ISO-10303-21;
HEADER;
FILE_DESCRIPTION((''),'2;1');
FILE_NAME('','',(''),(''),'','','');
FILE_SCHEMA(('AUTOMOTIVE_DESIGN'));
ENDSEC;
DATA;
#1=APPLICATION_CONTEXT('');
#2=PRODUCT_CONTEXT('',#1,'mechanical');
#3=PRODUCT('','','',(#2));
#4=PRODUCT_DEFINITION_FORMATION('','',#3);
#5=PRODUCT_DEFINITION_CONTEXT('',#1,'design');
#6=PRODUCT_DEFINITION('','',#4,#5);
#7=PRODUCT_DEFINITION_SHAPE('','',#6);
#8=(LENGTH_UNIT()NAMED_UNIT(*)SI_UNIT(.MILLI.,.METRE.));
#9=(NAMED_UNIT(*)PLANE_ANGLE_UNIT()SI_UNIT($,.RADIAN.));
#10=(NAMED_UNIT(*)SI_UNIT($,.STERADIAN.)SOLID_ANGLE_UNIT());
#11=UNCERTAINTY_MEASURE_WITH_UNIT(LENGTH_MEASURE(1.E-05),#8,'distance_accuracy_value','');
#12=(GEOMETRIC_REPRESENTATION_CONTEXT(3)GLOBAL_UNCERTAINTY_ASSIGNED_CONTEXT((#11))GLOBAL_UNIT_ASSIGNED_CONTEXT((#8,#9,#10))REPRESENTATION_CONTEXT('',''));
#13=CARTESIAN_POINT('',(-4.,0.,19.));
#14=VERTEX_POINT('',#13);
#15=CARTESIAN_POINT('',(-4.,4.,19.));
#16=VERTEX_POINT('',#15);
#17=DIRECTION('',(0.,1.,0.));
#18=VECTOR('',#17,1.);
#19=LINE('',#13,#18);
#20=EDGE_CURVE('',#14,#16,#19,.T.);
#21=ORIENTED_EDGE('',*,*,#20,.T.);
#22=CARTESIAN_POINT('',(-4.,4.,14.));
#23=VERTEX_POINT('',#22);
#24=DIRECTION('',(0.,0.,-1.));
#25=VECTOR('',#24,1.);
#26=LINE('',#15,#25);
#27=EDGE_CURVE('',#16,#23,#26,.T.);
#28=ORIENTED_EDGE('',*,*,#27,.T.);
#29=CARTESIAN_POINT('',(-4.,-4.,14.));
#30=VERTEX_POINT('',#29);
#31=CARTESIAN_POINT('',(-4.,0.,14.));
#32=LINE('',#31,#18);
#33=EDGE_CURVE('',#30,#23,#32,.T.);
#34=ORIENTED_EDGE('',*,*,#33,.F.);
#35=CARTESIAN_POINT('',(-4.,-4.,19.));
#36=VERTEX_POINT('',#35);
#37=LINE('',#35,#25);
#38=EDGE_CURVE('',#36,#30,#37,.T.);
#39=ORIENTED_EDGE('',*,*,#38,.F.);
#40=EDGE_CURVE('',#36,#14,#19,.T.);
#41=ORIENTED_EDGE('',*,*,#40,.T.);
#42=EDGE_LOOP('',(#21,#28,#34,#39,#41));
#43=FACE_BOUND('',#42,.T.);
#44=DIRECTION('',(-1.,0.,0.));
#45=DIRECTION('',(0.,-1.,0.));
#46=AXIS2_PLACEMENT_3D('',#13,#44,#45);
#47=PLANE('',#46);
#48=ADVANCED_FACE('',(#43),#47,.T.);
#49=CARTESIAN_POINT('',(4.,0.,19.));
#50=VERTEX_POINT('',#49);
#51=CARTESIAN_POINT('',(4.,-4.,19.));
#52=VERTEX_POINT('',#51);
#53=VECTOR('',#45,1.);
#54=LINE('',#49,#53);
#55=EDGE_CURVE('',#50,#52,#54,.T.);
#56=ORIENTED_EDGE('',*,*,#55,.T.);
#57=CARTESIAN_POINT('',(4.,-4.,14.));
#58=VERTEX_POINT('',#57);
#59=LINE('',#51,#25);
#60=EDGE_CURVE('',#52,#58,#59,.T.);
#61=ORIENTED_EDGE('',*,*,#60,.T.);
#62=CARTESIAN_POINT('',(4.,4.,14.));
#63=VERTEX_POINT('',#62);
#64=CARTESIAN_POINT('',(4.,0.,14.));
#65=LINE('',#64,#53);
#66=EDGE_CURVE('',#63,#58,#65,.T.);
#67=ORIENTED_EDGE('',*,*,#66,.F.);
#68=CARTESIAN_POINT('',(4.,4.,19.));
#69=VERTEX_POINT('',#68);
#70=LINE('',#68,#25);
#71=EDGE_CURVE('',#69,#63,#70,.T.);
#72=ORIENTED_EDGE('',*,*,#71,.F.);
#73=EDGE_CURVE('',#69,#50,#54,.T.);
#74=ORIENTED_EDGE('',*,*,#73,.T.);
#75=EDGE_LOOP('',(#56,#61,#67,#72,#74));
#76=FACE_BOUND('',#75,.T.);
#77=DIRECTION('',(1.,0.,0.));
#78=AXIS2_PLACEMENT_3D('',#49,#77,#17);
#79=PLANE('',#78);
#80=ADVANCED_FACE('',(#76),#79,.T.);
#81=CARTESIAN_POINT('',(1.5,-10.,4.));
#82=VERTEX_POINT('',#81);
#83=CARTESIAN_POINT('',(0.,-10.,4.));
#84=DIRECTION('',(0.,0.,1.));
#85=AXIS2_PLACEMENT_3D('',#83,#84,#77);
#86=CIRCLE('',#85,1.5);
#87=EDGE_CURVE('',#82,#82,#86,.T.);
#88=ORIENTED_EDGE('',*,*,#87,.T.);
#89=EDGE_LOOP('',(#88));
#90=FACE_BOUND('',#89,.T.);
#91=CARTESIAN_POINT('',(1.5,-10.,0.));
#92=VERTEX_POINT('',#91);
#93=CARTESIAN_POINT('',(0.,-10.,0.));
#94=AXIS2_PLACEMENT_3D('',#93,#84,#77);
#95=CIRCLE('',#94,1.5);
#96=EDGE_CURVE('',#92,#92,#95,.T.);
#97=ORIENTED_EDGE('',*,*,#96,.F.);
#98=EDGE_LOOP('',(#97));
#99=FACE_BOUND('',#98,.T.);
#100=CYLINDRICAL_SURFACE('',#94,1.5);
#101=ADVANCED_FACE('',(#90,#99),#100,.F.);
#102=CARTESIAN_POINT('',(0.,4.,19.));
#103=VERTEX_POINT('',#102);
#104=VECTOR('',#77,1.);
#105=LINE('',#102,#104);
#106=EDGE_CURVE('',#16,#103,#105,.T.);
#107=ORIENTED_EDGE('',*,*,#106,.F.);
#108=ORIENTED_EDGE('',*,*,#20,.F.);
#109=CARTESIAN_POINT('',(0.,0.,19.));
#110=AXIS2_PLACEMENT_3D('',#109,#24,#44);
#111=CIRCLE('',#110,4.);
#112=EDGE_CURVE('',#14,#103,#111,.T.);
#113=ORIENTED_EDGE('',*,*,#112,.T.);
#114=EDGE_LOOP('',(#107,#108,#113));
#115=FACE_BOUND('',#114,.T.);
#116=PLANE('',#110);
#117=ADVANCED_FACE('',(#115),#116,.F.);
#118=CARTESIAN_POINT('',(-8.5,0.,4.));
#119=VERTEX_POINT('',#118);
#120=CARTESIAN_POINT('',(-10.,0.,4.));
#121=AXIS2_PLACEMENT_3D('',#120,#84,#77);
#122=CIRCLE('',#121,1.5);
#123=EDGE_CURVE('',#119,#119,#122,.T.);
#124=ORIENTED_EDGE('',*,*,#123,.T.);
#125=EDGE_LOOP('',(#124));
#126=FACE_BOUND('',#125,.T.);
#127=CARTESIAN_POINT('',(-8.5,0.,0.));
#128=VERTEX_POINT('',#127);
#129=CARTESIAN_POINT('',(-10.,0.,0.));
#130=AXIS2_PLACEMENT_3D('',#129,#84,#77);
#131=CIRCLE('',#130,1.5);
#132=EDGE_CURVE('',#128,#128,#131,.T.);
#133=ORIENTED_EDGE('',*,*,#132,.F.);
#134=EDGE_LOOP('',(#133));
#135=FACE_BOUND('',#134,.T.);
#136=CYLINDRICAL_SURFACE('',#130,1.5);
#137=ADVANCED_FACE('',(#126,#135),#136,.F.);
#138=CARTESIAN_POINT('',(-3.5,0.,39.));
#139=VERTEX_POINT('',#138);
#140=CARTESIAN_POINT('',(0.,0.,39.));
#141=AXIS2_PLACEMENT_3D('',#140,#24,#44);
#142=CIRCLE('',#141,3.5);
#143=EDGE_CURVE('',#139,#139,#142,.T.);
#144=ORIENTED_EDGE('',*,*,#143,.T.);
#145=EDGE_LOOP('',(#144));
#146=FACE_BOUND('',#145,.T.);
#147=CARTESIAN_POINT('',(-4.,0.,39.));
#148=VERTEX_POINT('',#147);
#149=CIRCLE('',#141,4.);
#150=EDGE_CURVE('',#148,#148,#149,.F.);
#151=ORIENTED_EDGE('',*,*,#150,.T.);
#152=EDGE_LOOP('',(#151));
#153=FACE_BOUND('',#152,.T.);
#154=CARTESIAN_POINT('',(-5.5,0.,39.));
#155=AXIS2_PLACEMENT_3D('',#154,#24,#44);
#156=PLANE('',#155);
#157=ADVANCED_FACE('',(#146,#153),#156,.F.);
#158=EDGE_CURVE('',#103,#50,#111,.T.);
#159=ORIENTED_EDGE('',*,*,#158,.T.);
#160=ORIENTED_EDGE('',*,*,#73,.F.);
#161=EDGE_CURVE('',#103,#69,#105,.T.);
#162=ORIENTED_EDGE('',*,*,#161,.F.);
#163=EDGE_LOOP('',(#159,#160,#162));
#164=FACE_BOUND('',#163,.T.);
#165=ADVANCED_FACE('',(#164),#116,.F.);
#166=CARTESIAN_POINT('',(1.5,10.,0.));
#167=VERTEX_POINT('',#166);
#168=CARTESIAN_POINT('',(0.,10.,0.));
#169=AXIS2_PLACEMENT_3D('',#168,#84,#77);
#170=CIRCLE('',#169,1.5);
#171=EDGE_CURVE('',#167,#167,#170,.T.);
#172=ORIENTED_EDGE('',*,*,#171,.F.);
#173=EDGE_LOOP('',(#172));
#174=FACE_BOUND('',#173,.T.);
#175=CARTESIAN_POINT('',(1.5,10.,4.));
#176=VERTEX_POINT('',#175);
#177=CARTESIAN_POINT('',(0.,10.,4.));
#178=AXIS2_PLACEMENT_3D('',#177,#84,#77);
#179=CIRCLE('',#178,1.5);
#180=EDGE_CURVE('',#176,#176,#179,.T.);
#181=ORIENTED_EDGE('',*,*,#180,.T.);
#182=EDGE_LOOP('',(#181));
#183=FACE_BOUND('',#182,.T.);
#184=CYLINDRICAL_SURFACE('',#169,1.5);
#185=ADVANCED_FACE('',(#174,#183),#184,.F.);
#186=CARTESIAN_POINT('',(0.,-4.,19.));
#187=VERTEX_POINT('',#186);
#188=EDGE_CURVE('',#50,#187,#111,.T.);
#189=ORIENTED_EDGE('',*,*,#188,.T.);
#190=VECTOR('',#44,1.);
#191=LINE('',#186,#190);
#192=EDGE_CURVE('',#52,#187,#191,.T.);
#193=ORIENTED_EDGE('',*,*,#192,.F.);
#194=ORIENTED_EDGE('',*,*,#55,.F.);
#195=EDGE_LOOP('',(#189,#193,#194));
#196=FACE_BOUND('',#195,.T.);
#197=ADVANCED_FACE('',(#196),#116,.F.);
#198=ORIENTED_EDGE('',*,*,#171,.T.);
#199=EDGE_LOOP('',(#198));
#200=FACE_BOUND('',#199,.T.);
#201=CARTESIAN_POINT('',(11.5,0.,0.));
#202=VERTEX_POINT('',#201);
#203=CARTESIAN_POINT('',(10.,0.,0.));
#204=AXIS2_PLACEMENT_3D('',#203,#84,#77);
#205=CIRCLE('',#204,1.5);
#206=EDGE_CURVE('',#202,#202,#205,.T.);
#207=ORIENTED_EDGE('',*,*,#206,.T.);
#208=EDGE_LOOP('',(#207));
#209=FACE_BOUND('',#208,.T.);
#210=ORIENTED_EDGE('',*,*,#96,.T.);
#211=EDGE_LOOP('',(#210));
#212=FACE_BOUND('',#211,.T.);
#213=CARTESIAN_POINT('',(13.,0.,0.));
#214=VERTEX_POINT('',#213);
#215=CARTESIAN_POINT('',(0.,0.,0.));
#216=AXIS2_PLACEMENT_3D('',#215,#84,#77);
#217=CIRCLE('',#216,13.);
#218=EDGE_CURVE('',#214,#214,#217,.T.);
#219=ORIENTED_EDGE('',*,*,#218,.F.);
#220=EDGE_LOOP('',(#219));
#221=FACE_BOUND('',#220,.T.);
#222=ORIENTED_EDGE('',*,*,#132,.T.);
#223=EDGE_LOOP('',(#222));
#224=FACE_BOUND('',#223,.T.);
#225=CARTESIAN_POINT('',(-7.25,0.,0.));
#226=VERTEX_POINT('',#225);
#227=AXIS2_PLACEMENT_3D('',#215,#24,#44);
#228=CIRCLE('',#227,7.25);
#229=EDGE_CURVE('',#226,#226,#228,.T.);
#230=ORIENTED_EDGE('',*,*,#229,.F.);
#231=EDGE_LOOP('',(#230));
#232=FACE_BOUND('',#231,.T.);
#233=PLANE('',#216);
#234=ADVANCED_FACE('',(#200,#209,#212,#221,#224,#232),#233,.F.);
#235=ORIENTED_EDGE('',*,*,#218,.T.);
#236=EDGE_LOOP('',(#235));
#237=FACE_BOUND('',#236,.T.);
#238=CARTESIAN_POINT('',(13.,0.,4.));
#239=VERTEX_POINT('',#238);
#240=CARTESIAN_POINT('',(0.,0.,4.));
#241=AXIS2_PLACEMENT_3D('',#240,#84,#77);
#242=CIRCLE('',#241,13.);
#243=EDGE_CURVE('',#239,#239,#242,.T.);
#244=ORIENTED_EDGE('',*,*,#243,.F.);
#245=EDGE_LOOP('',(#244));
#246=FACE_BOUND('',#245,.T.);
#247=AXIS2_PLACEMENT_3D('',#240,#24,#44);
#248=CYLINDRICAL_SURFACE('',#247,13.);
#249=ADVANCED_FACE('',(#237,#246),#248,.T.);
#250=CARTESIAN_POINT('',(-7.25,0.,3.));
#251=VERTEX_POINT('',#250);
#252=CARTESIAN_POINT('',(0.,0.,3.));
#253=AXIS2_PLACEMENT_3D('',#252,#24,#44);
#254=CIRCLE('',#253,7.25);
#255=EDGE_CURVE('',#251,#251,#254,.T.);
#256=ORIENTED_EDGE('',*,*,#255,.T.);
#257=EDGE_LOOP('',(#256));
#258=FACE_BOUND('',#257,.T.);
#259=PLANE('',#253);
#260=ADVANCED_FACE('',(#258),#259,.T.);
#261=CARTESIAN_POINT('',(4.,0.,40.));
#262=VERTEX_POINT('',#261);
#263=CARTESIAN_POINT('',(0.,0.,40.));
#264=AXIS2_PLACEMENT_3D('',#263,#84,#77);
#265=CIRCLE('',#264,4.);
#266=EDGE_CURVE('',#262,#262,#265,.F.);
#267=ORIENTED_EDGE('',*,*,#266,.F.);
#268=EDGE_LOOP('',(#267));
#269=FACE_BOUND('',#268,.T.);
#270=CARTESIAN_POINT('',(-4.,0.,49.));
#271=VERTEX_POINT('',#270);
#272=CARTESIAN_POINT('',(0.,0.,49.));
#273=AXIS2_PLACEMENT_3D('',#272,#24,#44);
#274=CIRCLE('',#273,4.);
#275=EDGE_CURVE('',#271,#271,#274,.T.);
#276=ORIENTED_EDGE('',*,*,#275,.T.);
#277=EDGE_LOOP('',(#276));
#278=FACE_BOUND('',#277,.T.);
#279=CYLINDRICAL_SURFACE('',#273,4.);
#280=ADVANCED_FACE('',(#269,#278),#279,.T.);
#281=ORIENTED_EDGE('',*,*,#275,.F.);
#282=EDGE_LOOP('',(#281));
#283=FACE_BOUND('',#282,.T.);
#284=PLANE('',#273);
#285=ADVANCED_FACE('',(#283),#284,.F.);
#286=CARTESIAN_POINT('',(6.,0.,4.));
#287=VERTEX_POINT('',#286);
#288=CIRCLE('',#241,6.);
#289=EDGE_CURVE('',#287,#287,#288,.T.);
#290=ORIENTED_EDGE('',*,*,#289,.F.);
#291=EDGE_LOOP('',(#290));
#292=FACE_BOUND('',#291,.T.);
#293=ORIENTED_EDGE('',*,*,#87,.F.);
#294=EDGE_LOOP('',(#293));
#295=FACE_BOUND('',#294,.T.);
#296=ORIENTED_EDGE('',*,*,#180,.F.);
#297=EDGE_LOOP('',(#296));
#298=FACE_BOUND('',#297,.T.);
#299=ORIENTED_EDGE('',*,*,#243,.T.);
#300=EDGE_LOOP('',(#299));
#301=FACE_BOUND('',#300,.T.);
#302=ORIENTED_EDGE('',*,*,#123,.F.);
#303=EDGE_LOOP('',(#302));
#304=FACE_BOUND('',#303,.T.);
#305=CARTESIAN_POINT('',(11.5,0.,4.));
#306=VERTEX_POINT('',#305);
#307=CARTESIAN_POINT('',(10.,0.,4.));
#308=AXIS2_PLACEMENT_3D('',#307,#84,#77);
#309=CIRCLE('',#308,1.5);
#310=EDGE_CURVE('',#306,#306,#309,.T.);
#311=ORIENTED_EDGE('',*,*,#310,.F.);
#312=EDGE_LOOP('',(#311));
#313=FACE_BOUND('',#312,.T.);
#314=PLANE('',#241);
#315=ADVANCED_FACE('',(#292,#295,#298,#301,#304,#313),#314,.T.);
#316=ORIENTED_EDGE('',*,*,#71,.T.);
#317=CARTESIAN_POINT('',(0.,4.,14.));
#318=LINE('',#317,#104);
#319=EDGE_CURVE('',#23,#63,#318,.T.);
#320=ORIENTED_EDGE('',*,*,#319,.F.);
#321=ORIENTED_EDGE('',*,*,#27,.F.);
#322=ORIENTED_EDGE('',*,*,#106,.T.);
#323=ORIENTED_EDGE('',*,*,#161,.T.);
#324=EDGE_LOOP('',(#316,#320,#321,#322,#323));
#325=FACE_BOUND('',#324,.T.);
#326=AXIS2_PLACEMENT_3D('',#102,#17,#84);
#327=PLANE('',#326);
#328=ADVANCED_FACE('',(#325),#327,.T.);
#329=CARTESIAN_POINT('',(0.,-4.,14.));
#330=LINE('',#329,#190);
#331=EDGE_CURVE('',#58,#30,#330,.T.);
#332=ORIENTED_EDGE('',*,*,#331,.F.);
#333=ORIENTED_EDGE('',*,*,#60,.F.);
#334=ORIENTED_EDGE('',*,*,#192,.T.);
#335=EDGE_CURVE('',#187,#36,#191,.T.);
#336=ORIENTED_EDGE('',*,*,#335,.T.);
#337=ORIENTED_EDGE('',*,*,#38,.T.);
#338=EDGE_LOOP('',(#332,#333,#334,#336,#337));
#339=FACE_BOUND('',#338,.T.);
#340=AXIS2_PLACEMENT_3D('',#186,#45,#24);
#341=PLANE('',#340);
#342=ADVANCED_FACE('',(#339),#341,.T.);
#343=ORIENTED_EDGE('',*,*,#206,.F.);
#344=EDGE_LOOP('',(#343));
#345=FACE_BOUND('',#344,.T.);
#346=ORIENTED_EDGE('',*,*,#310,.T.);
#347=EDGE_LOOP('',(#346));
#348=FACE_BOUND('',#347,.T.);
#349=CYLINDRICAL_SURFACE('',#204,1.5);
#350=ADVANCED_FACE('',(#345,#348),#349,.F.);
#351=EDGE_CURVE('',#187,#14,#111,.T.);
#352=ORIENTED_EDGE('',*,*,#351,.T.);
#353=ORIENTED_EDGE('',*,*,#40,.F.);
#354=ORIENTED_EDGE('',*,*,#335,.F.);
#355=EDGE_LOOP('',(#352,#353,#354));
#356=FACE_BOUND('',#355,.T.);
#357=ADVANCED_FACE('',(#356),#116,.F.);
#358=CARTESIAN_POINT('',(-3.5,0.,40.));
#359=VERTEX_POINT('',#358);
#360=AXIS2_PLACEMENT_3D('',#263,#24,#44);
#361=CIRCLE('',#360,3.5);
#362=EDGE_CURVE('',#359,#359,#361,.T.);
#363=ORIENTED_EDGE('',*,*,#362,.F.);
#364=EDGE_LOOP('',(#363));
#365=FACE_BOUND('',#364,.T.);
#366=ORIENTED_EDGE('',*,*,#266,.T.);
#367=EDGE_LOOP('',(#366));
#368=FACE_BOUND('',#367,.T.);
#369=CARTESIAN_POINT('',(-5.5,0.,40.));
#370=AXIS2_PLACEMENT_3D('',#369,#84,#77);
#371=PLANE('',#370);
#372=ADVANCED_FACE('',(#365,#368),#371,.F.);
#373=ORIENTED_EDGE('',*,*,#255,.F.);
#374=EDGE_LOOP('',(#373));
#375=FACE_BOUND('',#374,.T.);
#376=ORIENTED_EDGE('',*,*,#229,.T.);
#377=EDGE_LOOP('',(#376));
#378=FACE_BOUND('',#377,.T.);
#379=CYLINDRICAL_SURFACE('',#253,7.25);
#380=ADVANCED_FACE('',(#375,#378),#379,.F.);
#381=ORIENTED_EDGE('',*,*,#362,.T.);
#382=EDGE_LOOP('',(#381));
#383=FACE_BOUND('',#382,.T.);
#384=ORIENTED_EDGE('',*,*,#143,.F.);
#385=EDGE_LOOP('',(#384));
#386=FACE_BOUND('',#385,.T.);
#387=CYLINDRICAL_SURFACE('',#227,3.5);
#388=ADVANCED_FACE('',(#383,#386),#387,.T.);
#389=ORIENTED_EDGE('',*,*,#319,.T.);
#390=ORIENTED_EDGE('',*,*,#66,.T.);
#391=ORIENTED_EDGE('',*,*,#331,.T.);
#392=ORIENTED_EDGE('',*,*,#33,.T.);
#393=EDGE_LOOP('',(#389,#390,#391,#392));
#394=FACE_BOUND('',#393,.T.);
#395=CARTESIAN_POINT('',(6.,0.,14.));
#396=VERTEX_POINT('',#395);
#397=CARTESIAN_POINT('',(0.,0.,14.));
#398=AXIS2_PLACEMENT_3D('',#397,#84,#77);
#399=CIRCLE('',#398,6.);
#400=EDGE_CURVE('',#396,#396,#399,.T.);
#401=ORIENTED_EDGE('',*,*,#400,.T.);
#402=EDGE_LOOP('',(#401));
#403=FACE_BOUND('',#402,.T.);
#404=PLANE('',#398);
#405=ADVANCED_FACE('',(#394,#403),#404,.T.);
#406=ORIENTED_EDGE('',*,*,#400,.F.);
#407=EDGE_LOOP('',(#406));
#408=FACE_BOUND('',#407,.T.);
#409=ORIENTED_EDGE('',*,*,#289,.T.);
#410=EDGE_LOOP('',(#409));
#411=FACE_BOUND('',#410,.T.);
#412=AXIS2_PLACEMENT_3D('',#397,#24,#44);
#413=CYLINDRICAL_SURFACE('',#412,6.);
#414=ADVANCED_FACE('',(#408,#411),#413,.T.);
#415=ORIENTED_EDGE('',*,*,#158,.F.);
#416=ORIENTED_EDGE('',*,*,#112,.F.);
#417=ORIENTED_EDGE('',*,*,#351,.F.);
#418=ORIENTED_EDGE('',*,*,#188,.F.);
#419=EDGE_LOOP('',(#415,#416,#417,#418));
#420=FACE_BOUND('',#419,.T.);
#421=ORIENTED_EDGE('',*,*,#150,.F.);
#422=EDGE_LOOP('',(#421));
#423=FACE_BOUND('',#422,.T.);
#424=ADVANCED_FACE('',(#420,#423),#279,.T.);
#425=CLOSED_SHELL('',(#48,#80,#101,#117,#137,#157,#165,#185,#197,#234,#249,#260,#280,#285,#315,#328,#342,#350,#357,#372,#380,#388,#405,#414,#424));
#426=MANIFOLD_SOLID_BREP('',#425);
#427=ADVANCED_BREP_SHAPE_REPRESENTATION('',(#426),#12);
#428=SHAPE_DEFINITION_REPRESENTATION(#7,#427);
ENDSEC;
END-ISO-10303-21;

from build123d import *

# Parameters (mm, degrees)
SKETCH1_R           = 13
BOSS_EXTRUDE1_DEPTH = 4
SKETCH2_R           = 7.25
CUT_EXTRUDE1_DEPTH  = 3
SKETCH3_R           = 1.5
CUT_EXTRUDE2_DEPTH  = 5
SKETCH6_R           = 6
BOSS_EXTRUDE5_DEPTH = 10
BOSS_EXTRUDE4_START = 10
SKETCH5_W           = 8
SKETCH5_H           = 8
BOSS_EXTRUDE4_DEPTH = 5
BOSS_EXTRUDE3_START = 15
SKETCH4_R           = 4
BOSS_EXTRUDE3_DEPTH = 30
SKETCH10_W          = 2
SKETCH10_H          = 1


with BuildPart() as part:
    # Sketch1 → Boss-Extrude1 (new body)
    with BuildSketch(Plane.XY):
        Circle(SKETCH1_R)
    extrude(amount=BOSS_EXTRUDE1_DEPTH)

    # Sketch2 → Cut-Extrude1 (cut)
    with BuildSketch(Plane(origin=(0, 0, 0), x_dir=(-1, 0, 0), z_dir=(0, 0, -1))):
        Circle(SKETCH2_R)
    extrude(amount=-CUT_EXTRUDE1_DEPTH, mode=Mode.SUBTRACT)

    # Sketch3 → Cut-Extrude2 (cut, through all)
    with BuildSketch(Plane.XY.offset(4)):
        with Locations((0, 10)):
            Circle(SKETCH3_R)
        with Locations((10, 0)):
            Circle(SKETCH3_R)
        with Locations((0, -10)):
            Circle(SKETCH3_R)
        with Locations((-10, 0)):
            Circle(SKETCH3_R)
    extrude(amount=-CUT_EXTRUDE2_DEPTH, mode=Mode.SUBTRACT)

    # Sketch6 → Boss-Extrude5 (add)
    with BuildSketch(Plane.XY.offset(4)):
        Circle(SKETCH6_R)
    extrude(amount=BOSS_EXTRUDE5_DEPTH)

    # Sketch5 → Boss-Extrude4 (add)
    with BuildSketch(Plane.XY.offset(4).offset(BOSS_EXTRUDE4_START)):
        Rectangle(SKETCH5_W, SKETCH5_H)
    extrude(amount=BOSS_EXTRUDE4_DEPTH)

    # Sketch4 → Boss-Extrude3 (add)
    with BuildSketch(Plane.XY.offset(4).offset(BOSS_EXTRUDE3_START)):
        Circle(SKETCH4_R)
    extrude(amount=BOSS_EXTRUDE3_DEPTH)

    # Sketch10 → Cut-Revolve1 (revolve, cut)
    with BuildSketch(Plane(origin=(0, 0, 0), x_dir=(1, 0, 0), z_dir=(0, 1, 0))):
        with Locations((-4.5, -39.5)):
            Rectangle(SKETCH10_W, SKETCH10_H)
    revolve(axis=Axis((0, 0, 0), (0, 0, 1)), mode=Mode.SUBTRACT)


solid = part.part
